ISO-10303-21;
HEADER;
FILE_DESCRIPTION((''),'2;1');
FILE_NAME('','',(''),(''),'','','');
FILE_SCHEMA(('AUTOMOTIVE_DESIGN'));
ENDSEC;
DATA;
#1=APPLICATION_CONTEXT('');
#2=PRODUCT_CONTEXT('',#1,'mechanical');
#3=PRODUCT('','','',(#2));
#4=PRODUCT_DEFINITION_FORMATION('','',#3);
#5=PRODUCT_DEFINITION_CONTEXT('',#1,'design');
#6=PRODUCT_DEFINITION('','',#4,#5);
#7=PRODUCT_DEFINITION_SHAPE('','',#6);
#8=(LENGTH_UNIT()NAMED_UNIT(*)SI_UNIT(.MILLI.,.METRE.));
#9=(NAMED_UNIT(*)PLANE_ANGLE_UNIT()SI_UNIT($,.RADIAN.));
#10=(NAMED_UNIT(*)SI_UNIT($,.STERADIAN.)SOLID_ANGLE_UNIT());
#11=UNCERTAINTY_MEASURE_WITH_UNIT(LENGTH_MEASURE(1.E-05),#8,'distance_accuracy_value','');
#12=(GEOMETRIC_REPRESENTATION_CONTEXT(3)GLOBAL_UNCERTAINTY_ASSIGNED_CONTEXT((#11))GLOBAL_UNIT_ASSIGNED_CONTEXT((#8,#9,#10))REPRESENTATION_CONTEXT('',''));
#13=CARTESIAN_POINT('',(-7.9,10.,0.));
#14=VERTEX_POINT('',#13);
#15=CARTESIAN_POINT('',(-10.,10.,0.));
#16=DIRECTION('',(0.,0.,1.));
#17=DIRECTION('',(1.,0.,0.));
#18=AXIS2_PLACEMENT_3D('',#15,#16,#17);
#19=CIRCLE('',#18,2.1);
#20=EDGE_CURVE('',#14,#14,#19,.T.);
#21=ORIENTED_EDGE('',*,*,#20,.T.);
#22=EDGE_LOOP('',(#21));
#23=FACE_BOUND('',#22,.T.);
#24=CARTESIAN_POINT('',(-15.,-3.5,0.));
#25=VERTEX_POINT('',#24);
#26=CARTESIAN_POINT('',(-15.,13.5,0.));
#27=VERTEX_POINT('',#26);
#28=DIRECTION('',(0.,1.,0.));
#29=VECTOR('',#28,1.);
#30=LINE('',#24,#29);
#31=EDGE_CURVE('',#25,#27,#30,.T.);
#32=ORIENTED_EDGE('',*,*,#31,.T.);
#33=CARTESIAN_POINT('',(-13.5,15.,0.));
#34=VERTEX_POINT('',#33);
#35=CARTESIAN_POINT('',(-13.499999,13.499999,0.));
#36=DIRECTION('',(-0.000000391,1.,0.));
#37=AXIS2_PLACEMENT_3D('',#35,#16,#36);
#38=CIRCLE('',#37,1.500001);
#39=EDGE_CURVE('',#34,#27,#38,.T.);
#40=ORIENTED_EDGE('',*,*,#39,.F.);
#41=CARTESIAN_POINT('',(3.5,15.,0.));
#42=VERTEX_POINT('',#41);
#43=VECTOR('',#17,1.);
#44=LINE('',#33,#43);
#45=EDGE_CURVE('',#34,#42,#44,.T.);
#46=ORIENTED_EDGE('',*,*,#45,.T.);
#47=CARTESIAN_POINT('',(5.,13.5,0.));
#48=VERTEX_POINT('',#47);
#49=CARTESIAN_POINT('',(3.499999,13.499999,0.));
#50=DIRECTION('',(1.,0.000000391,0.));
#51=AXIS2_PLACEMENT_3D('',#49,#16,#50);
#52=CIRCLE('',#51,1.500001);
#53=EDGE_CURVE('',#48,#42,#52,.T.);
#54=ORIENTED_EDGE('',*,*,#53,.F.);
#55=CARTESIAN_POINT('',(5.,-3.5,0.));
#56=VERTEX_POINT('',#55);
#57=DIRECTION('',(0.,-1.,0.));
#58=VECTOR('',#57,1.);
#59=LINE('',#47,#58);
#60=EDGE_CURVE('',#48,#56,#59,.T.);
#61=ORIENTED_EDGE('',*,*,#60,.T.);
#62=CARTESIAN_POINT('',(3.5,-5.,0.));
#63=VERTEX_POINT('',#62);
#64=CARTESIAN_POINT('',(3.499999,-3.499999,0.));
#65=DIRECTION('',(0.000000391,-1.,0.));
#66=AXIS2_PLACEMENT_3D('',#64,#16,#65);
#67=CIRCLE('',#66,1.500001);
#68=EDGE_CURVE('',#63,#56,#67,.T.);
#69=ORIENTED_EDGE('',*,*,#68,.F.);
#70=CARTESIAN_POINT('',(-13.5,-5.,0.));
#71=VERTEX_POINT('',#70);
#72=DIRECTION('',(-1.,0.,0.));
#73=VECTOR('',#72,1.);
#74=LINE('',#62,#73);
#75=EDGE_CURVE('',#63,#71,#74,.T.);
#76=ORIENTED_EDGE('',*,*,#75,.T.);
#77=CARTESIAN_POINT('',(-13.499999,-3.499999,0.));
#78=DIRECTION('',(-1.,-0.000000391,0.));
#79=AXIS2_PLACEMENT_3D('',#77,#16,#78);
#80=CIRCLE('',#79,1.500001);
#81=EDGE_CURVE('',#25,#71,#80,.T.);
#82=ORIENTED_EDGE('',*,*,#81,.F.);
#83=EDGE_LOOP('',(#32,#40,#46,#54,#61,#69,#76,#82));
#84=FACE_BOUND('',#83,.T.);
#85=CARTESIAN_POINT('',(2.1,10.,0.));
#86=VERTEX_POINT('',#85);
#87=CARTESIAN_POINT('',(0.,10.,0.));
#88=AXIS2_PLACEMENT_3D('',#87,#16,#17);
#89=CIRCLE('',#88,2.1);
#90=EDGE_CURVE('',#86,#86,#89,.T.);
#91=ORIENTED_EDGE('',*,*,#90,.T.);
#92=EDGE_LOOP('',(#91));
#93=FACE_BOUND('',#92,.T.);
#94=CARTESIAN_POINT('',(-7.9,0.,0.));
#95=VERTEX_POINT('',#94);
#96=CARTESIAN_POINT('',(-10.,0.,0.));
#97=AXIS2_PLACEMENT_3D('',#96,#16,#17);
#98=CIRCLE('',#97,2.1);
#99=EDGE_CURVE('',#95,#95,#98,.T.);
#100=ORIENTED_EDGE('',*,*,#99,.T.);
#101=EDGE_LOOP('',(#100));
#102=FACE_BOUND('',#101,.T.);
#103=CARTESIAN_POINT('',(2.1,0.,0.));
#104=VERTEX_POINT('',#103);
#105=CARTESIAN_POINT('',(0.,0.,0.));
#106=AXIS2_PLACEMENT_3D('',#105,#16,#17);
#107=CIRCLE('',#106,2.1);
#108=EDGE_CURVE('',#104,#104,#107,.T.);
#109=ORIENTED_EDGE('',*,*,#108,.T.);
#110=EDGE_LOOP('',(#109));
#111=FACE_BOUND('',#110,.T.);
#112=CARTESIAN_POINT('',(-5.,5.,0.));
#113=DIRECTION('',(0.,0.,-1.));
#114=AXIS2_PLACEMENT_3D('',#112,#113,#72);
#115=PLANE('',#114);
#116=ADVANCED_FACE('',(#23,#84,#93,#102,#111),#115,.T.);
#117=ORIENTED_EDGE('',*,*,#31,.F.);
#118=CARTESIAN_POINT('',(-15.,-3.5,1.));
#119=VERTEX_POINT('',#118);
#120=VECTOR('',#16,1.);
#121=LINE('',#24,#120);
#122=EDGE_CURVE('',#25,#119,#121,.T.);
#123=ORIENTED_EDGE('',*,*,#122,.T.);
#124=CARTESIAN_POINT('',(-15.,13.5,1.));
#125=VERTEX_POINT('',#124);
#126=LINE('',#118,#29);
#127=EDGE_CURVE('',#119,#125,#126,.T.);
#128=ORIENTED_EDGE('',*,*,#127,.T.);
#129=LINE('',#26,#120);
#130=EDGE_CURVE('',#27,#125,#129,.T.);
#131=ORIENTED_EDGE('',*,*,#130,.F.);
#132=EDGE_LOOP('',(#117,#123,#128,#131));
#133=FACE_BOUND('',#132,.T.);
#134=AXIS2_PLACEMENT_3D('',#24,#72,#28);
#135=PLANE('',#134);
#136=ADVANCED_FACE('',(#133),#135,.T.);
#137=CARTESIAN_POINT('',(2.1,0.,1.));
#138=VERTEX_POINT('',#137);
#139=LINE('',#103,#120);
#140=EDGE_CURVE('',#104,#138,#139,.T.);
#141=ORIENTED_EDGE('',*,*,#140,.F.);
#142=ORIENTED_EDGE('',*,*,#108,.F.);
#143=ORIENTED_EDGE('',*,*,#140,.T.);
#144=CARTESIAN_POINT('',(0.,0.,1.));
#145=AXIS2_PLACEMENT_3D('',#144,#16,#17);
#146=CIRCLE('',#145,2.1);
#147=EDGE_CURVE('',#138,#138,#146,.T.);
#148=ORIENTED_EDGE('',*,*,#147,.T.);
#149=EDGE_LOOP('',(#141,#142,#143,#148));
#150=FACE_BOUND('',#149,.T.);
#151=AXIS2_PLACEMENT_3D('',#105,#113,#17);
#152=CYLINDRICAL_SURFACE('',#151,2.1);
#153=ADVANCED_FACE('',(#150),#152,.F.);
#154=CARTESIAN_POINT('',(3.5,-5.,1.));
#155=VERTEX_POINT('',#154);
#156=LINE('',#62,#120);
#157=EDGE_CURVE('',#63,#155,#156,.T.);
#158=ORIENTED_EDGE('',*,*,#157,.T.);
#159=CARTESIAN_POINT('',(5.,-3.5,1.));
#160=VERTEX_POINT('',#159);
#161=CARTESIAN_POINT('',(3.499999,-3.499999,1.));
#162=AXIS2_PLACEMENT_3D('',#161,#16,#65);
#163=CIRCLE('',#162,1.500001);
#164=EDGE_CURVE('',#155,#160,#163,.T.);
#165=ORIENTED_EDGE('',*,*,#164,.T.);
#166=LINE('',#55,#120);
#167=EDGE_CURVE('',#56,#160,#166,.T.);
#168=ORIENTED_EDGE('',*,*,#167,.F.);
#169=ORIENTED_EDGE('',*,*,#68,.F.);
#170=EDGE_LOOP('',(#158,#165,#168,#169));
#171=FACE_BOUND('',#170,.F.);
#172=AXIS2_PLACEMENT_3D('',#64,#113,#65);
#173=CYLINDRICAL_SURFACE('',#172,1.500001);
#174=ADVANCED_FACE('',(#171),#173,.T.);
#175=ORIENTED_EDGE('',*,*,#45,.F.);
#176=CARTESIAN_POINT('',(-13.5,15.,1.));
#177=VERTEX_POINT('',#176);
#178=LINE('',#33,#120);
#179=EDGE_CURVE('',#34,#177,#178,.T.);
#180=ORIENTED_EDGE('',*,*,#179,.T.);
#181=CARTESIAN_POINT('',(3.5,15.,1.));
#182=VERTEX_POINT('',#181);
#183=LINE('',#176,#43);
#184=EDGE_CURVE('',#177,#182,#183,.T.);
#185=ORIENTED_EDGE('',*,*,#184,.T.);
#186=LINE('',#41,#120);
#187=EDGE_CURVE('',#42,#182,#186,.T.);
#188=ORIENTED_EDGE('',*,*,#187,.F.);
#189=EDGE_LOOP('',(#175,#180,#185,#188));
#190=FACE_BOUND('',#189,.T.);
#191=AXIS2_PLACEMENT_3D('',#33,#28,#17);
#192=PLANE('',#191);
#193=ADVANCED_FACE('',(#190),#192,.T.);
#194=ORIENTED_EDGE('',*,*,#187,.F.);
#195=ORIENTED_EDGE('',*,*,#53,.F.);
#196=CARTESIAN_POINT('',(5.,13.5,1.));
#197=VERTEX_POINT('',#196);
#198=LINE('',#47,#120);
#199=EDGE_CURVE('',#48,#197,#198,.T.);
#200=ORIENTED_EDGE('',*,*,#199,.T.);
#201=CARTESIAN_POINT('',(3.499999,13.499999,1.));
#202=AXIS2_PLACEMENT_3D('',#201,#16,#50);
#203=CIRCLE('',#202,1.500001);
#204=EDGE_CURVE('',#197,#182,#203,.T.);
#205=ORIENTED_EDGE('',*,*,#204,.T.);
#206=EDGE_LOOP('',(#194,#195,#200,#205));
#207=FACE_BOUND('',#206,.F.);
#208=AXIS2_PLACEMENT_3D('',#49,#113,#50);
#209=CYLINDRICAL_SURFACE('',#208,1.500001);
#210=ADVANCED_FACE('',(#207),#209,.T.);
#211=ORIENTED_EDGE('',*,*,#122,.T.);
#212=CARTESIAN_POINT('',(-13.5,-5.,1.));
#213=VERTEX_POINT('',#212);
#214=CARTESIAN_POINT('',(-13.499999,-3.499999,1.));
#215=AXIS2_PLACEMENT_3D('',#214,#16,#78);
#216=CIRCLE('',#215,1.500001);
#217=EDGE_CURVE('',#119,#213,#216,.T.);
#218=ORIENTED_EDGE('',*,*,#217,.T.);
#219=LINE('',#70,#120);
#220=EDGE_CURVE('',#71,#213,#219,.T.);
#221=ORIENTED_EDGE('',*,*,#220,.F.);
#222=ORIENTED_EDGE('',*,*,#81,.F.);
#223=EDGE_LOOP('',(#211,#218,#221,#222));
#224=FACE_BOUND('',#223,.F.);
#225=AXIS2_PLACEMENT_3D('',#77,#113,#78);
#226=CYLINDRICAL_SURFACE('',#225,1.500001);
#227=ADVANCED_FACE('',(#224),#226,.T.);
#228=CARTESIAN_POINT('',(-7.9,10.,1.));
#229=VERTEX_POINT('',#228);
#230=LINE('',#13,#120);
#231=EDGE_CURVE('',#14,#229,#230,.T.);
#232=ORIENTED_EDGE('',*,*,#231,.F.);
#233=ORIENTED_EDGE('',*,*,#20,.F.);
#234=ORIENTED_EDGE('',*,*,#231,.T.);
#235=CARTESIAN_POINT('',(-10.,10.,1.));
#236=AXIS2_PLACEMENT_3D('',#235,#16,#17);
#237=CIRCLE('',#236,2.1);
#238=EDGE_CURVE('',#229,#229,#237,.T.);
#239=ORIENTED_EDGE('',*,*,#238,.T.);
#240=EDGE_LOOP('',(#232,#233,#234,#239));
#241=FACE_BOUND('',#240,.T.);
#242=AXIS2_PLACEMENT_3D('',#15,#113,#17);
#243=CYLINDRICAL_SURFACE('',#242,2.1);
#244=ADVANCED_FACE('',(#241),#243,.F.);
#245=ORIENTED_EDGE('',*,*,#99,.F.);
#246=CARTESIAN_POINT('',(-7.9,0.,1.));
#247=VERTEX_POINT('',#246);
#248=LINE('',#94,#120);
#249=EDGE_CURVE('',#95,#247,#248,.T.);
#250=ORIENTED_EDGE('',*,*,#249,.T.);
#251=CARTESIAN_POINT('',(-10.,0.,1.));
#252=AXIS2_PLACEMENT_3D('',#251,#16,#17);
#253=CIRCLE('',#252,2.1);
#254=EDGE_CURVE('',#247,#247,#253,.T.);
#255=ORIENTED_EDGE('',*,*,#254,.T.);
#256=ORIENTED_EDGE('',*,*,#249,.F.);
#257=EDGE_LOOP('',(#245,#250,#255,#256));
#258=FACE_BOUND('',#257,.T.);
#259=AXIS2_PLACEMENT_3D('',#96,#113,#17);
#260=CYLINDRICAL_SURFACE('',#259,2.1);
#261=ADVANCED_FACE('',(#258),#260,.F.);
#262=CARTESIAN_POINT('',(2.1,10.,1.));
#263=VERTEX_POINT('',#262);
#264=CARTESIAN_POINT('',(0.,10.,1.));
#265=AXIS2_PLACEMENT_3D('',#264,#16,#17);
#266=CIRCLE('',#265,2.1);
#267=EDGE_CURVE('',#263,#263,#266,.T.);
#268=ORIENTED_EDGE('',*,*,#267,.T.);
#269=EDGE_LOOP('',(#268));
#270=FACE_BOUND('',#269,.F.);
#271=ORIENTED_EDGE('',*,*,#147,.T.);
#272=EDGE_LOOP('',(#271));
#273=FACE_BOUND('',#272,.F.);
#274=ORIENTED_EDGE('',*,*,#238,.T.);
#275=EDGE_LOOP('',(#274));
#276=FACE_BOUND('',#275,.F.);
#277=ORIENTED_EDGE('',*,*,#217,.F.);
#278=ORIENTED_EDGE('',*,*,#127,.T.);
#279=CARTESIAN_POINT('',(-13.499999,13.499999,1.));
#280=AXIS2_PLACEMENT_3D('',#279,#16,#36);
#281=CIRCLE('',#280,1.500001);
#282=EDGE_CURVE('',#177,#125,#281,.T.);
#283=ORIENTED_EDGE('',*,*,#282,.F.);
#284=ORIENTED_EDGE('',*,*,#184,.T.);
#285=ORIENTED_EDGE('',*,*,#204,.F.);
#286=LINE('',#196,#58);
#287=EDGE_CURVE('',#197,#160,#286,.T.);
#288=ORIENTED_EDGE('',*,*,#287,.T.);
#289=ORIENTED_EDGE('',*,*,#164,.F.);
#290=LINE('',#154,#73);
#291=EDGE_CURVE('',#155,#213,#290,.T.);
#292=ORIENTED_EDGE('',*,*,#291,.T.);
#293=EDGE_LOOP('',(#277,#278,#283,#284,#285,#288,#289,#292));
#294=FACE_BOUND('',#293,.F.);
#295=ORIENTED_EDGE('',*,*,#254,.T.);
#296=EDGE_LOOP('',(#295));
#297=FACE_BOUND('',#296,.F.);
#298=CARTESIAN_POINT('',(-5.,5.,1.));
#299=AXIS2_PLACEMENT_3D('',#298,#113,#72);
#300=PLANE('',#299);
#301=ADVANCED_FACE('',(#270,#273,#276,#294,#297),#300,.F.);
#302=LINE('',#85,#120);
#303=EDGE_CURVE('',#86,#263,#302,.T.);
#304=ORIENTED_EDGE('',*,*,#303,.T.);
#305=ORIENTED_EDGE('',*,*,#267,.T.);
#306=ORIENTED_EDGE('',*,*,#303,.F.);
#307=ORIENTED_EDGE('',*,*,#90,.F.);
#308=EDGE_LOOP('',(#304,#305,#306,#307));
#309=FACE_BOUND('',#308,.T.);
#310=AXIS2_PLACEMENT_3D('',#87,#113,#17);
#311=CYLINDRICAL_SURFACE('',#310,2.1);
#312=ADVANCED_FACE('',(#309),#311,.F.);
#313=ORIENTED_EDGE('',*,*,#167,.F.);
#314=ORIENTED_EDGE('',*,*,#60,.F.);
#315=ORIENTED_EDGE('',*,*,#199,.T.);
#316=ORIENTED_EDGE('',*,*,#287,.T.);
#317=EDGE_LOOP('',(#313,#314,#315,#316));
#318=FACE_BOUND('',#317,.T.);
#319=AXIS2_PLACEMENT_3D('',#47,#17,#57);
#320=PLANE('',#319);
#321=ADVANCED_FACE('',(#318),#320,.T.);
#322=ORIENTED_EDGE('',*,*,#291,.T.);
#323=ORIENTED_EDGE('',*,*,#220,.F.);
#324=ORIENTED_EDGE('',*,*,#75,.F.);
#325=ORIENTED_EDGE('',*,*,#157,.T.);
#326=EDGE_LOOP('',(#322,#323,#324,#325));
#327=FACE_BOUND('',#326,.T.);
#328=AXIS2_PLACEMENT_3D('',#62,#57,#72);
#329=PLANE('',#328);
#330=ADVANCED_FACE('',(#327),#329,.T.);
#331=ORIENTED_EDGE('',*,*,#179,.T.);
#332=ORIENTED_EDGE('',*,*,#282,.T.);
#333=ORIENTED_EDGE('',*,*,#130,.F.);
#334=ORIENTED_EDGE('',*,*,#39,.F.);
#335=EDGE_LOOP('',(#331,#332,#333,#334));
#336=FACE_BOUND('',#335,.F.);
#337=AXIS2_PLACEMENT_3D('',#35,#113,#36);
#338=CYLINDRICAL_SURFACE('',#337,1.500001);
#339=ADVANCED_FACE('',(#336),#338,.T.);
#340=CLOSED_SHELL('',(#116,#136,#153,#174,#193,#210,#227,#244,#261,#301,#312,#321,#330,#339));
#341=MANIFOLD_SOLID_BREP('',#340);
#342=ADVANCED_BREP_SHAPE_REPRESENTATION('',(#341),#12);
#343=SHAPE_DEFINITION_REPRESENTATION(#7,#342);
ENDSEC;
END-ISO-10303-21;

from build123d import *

# Parameters (mm, degrees)
SKETCH_R  = 2.1
PAD_DEPTH = 1


with BuildPart() as part:
    # Sketch → Pad (new body)
    with BuildSketch(Plane.XY):
        with BuildLine():
            Line((-13.5, 15), (3.5, 15))
            ThreePointArc((5, 13.5), (4.56066, 14.56066), (3.5, 15))
            Line((5, 13.5), (5, -3.5))
            ThreePointArc((3.5, -5), (4.56066, -4.56066), (5, -3.5))
            Line((3.5, -5), (-13.5, -5))
            ThreePointArc((-15, -3.5), (-14.56066, -4.56066), (-13.5, -5))
            Line((-15, -3.5), (-15, 13.5))
            ThreePointArc((-13.5, 15), (-14.56066, 14.56066), (-15, 13.5))
        make_face()
        with Locations((-10, 10)):
            Circle(SKETCH_R, mode=Mode.SUBTRACT)
        with Locations((0, 10)):
            Circle(SKETCH_R, mode=Mode.SUBTRACT)
        with Locations((-10, 0)):
            Circle(SKETCH_R, mode=Mode.SUBTRACT)
        Circle(SKETCH_R, mode=Mode.SUBTRACT)
    extrude(amount=PAD_DEPTH)


solid = part.part
